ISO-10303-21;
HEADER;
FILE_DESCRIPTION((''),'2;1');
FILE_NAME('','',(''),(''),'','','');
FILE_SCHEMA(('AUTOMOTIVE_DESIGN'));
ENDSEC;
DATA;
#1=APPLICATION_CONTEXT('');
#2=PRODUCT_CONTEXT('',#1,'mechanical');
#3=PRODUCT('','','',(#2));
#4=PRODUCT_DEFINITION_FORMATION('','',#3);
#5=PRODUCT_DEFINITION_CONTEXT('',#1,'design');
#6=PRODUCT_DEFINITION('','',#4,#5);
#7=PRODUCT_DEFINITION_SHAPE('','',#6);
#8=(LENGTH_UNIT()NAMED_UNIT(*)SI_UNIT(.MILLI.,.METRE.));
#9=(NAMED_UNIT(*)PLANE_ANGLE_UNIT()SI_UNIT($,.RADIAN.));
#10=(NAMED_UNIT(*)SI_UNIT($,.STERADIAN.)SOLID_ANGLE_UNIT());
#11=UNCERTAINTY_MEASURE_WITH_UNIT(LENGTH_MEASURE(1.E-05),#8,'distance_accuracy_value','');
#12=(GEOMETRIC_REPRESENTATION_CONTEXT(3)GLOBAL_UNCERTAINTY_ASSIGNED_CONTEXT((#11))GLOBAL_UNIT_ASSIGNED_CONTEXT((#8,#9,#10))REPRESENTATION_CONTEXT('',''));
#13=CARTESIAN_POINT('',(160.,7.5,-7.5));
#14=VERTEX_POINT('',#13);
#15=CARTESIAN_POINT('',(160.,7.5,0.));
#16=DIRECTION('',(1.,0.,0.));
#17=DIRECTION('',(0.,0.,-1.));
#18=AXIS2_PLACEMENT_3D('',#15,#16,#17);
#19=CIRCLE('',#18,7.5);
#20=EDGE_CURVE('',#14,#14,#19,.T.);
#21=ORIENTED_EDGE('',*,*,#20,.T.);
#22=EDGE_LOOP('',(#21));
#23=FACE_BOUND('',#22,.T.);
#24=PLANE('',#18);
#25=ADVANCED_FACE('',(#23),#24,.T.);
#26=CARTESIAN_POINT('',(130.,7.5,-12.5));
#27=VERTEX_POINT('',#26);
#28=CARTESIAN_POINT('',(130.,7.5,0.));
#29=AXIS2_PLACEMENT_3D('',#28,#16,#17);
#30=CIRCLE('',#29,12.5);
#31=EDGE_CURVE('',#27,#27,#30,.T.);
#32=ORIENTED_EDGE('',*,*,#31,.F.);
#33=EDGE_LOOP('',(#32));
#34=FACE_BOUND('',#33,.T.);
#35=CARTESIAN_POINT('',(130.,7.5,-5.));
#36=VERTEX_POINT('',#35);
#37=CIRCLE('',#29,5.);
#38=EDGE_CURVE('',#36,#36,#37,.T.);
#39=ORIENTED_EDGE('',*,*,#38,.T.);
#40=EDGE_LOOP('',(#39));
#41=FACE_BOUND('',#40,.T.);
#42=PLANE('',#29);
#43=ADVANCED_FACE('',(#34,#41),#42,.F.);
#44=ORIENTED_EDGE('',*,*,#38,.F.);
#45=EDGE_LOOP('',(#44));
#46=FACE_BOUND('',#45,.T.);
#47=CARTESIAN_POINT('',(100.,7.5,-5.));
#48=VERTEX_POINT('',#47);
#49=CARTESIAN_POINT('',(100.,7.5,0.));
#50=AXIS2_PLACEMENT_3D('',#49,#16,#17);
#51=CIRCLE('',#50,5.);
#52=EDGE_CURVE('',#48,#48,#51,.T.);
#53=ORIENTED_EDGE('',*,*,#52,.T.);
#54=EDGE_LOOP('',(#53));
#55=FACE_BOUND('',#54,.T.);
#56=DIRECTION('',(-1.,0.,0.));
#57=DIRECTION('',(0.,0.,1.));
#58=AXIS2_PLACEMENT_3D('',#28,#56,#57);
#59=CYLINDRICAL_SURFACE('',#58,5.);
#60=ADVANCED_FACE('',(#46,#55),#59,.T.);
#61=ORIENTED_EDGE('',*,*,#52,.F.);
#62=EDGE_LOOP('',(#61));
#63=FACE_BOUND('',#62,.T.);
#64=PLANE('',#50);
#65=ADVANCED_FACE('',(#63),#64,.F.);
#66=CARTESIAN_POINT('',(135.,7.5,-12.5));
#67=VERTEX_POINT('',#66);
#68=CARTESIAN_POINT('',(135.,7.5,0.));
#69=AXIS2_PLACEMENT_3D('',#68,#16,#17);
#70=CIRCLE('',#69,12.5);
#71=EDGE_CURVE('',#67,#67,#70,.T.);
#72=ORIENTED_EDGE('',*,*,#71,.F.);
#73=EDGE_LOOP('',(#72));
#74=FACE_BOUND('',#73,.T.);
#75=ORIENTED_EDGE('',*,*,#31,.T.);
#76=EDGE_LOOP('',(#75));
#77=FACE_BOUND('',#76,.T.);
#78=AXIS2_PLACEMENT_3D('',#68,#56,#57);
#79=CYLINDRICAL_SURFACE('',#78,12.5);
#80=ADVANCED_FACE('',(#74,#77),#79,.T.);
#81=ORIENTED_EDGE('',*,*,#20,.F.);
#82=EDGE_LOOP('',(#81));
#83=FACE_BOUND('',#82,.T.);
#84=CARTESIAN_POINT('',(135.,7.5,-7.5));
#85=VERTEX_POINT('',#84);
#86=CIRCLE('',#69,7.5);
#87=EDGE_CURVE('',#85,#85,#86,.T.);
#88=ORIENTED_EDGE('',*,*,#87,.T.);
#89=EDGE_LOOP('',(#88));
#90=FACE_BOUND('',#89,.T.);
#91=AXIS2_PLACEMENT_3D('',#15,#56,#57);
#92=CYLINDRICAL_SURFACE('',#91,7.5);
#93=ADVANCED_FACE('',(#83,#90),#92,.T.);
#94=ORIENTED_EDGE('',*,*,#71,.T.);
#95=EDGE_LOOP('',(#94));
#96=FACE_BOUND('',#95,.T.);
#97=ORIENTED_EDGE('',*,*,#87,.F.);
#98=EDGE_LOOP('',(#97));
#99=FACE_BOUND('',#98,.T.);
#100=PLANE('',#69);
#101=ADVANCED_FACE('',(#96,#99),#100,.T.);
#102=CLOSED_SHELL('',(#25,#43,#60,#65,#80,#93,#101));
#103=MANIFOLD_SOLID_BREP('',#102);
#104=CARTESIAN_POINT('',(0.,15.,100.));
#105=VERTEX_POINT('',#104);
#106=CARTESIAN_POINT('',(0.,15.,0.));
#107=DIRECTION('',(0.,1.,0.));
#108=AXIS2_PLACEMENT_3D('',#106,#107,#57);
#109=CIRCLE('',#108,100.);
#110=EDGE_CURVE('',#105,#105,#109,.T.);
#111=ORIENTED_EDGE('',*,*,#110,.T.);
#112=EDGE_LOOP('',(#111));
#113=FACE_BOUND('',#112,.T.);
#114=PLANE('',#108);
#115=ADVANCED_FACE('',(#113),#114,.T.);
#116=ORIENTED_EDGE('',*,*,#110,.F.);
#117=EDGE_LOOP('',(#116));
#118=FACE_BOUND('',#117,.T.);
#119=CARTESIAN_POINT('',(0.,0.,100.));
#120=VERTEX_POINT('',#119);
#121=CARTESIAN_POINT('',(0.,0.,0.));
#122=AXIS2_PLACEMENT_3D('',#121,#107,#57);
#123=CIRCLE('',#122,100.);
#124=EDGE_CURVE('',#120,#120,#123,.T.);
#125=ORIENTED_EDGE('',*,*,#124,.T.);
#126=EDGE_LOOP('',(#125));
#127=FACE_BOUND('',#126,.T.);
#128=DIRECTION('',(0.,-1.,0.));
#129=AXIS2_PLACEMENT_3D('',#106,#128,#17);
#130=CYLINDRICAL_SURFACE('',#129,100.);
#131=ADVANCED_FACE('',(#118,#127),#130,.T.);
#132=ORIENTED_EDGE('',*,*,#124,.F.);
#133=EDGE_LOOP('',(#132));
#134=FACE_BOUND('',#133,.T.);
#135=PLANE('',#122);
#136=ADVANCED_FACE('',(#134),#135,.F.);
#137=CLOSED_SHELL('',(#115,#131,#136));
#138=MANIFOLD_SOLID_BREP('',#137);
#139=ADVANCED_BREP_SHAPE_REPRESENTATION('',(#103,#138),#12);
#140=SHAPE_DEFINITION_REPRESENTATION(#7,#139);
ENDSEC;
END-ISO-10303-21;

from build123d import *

# Parameters (mm, degrees)
SKETCH1_R           = 100
BOSS_EXTRUDE1_DEPTH = 15
SKETCH2_R           = 5
BOSS_EXTRUDE2_DEPTH = 30
SKETCH3_R           = 12.5
BOSS_EXTRUDE3_DEPTH = 5
SKETCH4_R           = 7.5
BOSS_EXTRUDE4_DEPTH = 25


with BuildPart() as part:
    # Sketch1 → Boss-Extrude1 (new body)
    with BuildSketch(Plane(origin=(0, 0, 0), x_dir=(1, 0, 0), z_dir=(0, 1, 0))):
        with Locations(Location((0, 0, 0), (0, 0, 270))):
            Circle(SKETCH1_R)
    extrude(amount=BOSS_EXTRUDE1_DEPTH)


with BuildPart() as body_2:
    # Sketch2 → Boss-Extrude2 (new body)
    with BuildSketch(Plane(origin=(100, 0, 0), x_dir=(0, 0, -1), z_dir=(1, 0, 0))):
        with Locations((0, 7.5)):
            Circle(SKETCH2_R)
    extrude(amount=BOSS_EXTRUDE2_DEPTH)

    # Sketch3 → Boss-Extrude3 (add)
    with BuildSketch(Plane(origin=(130, 0, 0), x_dir=(0, 0, -1), z_dir=(1, 0, 0))):
        with Locations((0, 7.5)):
            Circle(SKETCH3_R)
    extrude(amount=BOSS_EXTRUDE3_DEPTH)

    # Sketch4 → Boss-Extrude4 (add)
    with BuildSketch(Plane(origin=(135, 0, 0), x_dir=(0, 0, -1), z_dir=(1, 0, 0))):
        with Locations((0, 7.5)):
            Circle(SKETCH4_R)
    extrude(amount=BOSS_EXTRUDE4_DEPTH)


solid = Compound([part.part, body_2.part])
